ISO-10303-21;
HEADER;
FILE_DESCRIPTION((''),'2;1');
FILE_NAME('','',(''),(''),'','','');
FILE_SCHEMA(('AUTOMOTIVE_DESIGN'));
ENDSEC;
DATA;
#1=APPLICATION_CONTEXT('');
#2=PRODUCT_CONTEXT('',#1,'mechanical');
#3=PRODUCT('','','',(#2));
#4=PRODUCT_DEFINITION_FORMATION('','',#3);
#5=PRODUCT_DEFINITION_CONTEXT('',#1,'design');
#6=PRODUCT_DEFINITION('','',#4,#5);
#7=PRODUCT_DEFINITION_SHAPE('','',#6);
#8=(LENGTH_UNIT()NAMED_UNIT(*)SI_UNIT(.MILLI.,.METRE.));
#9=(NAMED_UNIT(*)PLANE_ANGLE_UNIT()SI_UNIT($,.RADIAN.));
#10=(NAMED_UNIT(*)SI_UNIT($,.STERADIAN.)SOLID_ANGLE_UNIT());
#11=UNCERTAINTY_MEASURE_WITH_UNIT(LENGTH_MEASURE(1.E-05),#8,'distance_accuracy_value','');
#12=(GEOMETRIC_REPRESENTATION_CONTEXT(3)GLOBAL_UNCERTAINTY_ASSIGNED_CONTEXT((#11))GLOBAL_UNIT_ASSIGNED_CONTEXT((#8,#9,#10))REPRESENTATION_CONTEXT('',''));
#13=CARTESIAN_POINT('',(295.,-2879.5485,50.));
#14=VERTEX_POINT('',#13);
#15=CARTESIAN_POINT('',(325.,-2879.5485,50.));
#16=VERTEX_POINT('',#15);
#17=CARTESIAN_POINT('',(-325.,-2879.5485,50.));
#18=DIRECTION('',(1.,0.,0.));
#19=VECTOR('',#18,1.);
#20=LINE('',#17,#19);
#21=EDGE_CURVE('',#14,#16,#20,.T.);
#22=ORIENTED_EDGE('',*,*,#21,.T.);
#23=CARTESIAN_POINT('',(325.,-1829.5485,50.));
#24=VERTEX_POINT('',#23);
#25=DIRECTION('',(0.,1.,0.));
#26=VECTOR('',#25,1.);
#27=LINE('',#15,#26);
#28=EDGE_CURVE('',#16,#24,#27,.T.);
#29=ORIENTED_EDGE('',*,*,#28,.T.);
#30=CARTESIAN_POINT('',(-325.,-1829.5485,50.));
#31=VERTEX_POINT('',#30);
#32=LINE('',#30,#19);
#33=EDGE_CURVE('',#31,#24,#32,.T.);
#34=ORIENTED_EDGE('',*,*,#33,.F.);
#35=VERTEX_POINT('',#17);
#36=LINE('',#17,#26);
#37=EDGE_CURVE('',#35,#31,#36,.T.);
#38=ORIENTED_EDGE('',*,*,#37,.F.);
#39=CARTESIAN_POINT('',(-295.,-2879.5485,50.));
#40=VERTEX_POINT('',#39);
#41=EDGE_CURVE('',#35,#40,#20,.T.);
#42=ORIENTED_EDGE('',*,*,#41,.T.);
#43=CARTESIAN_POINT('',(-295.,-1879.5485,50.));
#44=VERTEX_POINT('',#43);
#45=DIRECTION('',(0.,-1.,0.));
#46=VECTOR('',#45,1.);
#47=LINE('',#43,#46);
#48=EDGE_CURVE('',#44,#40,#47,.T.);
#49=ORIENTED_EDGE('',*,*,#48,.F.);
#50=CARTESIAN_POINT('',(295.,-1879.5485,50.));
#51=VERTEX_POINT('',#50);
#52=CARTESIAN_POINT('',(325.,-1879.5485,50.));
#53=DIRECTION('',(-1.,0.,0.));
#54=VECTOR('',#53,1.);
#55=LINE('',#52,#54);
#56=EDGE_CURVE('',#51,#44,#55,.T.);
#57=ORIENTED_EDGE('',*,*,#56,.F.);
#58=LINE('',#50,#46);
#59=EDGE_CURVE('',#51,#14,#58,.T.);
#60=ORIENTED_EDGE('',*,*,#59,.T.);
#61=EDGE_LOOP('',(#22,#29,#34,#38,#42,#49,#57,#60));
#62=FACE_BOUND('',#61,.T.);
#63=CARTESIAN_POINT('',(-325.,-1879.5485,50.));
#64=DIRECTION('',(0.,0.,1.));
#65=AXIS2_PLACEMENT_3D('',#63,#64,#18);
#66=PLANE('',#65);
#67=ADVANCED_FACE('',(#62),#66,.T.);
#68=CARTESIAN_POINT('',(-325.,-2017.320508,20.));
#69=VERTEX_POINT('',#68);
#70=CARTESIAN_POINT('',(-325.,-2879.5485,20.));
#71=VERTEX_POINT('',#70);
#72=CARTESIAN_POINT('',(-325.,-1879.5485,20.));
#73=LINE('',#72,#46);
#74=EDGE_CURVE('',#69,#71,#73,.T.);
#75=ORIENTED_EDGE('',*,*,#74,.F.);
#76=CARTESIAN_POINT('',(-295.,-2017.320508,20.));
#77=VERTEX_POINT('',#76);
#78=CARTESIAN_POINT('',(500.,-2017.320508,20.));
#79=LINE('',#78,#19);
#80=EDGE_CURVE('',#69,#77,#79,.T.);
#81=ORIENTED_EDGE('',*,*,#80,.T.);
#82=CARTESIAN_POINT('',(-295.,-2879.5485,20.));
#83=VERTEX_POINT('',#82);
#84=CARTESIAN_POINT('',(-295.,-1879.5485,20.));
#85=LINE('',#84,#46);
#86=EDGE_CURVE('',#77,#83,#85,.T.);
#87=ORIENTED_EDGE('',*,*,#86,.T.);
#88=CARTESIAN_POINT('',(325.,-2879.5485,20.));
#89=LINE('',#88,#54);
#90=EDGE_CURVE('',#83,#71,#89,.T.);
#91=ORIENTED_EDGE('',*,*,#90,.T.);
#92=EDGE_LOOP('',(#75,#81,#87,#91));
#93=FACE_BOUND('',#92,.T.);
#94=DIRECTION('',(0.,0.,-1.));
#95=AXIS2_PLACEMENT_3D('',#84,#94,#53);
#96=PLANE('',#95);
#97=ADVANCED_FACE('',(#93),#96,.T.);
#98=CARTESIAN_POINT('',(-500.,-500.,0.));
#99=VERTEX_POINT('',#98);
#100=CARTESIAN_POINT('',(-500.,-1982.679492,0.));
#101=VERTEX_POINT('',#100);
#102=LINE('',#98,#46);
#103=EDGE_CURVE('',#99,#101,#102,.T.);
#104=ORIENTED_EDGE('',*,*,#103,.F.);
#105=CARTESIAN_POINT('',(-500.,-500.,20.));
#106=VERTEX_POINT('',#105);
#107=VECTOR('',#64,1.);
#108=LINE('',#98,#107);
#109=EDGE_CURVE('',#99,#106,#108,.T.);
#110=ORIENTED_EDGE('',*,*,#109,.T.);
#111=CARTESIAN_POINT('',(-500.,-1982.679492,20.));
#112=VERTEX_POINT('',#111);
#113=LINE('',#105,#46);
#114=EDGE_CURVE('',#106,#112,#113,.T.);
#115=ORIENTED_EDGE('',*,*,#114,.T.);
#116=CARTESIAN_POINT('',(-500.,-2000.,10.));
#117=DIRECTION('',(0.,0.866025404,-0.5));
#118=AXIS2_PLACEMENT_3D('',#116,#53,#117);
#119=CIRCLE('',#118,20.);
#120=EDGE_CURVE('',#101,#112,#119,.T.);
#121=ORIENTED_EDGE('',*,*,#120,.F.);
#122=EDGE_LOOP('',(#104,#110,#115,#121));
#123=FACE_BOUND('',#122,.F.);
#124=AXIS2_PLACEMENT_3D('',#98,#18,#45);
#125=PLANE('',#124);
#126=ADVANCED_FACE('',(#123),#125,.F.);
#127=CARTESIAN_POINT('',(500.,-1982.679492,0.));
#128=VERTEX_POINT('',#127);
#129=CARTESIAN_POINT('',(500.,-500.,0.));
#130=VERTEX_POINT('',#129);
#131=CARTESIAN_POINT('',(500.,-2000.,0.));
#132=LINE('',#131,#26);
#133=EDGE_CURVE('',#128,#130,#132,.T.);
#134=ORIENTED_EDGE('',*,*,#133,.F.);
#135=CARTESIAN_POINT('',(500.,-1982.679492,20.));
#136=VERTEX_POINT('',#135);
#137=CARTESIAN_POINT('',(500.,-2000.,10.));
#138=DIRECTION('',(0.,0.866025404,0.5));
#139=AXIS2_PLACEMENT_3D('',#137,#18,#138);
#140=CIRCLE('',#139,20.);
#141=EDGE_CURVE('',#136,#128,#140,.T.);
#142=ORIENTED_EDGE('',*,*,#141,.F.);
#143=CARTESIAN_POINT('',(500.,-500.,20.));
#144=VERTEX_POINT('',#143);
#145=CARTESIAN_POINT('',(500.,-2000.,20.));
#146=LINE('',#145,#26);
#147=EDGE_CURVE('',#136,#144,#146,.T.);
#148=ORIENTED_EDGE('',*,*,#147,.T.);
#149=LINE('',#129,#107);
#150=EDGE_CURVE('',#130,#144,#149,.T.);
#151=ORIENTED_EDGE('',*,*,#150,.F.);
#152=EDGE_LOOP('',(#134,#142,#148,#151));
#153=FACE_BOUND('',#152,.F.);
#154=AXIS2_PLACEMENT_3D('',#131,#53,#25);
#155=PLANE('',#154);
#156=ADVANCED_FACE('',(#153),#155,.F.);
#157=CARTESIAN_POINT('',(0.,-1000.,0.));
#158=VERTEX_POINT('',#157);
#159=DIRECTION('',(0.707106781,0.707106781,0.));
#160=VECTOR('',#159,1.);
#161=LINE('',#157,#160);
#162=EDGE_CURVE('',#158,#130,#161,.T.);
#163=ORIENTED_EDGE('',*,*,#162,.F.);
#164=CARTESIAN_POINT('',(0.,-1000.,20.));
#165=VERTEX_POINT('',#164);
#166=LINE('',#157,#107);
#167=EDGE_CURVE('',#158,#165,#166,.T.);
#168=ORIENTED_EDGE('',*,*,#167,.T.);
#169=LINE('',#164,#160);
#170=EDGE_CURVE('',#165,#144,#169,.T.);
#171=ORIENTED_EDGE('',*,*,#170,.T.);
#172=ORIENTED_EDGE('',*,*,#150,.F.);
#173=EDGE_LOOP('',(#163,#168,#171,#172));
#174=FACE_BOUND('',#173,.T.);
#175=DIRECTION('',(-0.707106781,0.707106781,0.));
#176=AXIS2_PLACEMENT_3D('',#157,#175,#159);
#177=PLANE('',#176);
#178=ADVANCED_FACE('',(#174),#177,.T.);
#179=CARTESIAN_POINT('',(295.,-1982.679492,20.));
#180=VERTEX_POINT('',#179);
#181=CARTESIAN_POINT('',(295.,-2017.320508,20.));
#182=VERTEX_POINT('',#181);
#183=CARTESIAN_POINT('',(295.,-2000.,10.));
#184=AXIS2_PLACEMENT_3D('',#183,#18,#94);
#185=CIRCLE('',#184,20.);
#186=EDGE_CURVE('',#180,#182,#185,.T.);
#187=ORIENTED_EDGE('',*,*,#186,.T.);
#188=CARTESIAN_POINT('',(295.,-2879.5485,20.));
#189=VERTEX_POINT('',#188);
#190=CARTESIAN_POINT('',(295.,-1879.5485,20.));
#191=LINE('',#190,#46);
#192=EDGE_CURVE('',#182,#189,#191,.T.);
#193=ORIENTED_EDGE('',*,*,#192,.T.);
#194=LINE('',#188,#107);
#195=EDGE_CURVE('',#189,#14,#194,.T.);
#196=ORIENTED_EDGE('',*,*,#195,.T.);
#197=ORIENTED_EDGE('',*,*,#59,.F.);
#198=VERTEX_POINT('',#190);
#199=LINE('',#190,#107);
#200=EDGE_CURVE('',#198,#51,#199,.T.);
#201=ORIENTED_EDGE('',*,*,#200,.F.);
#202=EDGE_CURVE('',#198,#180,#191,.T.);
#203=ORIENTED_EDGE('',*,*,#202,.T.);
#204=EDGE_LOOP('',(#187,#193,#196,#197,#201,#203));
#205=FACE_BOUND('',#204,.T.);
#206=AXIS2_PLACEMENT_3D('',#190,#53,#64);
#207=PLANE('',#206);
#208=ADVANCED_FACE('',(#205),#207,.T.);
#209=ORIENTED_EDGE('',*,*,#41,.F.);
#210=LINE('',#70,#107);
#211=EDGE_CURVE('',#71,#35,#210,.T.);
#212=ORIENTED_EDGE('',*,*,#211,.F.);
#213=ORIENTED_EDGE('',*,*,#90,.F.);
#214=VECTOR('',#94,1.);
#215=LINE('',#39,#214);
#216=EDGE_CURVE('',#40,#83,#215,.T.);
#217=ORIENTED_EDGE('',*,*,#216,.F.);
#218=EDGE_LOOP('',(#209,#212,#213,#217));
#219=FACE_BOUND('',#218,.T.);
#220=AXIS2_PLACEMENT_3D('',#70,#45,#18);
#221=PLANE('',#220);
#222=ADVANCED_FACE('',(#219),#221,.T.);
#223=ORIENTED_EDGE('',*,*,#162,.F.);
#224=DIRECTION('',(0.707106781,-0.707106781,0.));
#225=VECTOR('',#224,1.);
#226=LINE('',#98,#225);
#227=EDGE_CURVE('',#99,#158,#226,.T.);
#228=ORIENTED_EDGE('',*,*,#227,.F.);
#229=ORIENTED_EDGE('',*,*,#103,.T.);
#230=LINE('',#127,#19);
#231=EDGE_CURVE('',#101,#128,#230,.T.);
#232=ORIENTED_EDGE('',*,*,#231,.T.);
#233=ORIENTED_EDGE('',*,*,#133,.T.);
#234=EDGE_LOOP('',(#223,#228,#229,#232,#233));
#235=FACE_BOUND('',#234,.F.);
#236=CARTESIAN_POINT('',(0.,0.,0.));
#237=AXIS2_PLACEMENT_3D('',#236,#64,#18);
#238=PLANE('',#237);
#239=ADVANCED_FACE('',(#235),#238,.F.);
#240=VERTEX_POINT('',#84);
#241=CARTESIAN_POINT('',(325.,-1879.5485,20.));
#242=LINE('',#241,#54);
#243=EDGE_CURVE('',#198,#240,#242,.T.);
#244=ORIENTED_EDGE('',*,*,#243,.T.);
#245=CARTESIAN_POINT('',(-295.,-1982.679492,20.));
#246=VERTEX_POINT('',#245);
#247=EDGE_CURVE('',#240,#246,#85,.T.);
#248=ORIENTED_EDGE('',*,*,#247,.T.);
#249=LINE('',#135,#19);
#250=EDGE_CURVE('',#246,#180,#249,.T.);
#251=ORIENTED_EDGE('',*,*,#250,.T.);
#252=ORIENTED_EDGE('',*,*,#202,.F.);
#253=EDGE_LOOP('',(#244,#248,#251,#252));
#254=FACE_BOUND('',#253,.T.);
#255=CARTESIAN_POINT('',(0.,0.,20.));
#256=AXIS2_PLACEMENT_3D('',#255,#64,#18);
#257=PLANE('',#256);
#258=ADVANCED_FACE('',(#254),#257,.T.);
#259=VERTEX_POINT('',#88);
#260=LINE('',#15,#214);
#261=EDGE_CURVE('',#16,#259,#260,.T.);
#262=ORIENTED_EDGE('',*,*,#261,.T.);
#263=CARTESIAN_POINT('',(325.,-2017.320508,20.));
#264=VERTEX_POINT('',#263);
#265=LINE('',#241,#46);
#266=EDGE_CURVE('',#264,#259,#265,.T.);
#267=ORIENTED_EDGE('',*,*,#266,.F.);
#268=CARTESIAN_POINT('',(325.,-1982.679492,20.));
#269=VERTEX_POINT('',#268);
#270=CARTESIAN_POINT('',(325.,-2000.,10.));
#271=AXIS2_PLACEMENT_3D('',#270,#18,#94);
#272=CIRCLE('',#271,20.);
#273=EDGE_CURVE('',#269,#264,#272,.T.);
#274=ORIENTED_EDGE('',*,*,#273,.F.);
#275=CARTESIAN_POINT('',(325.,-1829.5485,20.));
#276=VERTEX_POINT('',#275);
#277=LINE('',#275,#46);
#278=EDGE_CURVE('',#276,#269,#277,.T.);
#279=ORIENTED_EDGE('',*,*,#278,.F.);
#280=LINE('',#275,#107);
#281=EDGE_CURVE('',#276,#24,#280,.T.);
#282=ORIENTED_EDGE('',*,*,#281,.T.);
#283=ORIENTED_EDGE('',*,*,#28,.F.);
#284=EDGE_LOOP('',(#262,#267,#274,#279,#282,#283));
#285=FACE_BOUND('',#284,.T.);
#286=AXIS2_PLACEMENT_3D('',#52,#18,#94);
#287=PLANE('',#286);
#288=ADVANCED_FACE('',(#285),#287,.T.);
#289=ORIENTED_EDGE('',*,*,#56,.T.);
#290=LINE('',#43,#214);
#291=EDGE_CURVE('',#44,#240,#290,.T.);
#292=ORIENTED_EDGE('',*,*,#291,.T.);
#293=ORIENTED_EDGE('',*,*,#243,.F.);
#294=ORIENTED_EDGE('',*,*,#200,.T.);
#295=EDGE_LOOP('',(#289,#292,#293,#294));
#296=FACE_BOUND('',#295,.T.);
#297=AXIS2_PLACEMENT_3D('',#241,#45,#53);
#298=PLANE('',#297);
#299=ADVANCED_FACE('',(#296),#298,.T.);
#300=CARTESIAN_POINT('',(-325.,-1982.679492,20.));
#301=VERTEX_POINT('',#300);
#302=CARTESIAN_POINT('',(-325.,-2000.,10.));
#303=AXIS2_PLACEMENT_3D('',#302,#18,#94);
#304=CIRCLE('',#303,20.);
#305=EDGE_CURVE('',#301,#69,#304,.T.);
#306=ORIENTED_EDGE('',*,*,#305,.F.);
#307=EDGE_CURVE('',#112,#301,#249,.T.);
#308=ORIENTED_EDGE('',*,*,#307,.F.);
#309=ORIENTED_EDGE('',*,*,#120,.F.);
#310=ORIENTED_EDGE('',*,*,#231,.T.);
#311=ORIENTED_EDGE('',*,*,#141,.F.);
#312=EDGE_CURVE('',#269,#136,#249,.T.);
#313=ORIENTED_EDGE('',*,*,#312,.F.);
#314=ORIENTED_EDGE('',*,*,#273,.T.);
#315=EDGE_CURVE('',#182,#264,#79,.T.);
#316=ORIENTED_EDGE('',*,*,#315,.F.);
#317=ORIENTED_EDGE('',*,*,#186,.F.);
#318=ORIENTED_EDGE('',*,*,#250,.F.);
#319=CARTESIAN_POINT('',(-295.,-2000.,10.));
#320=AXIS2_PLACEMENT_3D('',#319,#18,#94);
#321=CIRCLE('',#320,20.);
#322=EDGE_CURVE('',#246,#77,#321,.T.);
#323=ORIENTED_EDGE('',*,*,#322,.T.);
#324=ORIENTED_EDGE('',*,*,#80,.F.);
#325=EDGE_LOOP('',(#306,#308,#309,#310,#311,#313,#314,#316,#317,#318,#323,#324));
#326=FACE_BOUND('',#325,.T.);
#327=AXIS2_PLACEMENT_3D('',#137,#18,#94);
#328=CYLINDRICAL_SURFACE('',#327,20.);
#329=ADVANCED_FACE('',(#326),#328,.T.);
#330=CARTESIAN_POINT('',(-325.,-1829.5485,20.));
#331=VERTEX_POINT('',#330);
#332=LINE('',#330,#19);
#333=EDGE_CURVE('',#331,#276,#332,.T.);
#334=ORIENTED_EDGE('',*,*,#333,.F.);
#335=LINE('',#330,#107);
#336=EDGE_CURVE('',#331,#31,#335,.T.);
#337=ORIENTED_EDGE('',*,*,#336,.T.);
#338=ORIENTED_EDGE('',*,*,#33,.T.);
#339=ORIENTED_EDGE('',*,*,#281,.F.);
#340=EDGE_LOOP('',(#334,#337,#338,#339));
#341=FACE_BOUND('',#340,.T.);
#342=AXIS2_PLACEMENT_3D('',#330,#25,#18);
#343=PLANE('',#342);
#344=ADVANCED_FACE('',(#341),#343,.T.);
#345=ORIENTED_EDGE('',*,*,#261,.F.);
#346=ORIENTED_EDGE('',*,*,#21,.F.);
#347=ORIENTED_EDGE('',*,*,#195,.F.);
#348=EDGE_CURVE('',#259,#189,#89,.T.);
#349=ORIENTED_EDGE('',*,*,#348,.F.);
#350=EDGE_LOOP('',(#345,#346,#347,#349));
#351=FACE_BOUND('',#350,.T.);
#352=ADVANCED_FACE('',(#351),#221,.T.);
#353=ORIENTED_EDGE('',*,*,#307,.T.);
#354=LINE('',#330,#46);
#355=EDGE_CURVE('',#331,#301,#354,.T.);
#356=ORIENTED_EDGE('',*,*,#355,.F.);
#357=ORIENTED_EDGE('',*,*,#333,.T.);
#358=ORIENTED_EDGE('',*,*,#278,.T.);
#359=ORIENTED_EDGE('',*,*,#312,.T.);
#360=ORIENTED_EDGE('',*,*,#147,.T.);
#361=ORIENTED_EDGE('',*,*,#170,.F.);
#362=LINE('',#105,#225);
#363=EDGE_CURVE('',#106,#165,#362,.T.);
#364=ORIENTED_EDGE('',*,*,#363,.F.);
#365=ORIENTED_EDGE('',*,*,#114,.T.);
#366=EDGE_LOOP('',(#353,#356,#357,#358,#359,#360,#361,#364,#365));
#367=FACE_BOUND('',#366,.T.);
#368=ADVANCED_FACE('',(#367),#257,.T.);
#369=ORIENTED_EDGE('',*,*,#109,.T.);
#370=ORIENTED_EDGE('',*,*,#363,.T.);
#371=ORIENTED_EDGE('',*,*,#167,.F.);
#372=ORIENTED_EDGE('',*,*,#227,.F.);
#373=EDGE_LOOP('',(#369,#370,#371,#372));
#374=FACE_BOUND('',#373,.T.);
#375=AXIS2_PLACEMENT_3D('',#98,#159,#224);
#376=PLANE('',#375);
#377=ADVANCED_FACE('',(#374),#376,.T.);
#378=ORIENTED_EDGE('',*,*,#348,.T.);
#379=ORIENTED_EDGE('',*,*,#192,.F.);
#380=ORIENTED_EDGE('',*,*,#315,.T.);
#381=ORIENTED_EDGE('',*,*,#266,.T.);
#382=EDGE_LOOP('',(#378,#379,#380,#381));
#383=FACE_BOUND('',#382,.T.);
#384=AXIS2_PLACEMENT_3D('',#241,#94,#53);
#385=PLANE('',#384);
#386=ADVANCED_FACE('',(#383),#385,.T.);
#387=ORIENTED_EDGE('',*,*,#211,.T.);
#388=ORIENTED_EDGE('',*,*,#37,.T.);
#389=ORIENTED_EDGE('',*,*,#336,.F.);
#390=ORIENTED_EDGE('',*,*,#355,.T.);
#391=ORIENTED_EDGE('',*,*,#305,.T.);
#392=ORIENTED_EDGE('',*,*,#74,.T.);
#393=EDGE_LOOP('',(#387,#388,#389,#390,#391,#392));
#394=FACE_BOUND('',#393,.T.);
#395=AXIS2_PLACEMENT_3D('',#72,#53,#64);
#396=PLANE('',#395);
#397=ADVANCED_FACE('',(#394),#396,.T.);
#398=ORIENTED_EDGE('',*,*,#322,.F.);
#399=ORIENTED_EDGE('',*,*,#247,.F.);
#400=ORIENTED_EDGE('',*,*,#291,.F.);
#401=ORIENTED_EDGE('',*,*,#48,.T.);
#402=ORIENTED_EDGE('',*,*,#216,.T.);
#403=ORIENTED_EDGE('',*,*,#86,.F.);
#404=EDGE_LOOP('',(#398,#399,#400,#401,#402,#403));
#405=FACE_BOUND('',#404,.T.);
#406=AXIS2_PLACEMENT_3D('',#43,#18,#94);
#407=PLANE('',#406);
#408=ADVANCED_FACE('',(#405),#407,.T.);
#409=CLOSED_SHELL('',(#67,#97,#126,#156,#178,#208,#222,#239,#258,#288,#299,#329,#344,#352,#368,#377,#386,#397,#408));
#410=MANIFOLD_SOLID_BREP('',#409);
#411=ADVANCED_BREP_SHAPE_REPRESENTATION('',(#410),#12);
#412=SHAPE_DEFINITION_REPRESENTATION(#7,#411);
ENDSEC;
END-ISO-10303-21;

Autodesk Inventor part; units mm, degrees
ref_plane "YZ Plane" through (0, 0, 0) normal (1, 0, 0) x (0, 1, 0)
ref_plane "XZ Plane" through (0, 0, 0) normal (0, 1, 0) x (-1, 0, 0)
ref_plane "XY Plane" through (0, 0, 0) normal (0, 0, 1) x (1, 0, 0)
sketch "草圖1" plane through (0, 0, 0) normal (0, 0, 1) x (1, 0, 0)
  line L0 (-500, -500) -> (0, -1000)
  line L1 (0, -1000) -> (500, -500)
  line L2 (-500, -500) -> (-500, -2000)
  line L3 (-500, -2000) -> (500, -2000)
  line L4 (500, -2000) -> (500, -500)
  point P0 (0, 0)
  dimension "d2" = 1500
  dimension "d3" = 1000
extrude "擠出1" add sketch "草圖1" along normal blind 20
sketch "草圖2" plane through (500, -2000, 0) normal (1, 0, 0) x (0, 0, -1)
  line L0 (0, 0) -> (-20, 0) projected
  circle A0 centre (-10, 0) radius 20
  point P0 (0, 2000)
  dimension "d6" = 40
extrude "擠出2" add sketch "草圖2" against normal blind 1000
sketch "草圖3" plane through (0, 0, 20) normal (0, 0, 1) x (1, 0, 0)
  line L0 (325, -1879.5485) -> (-325, -1879.5485)
  line L1 (-325, -1879.5485) -> (-325, -1829.5485)
  line L2 (-325, -1829.5485) -> (325, -1829.5485)
  line L3 (325, -1829.5485) -> (325, -1879.5485)
  line L4 (325, -1879.5485) -> (-325, -1829.5485) construction
  line L5 (-325, -1879.5485) -> (325, -1829.5485) construction
  point P0 (0, 0)
  point P1 (0, -1854.5485)
  dimension "d9" = 650
  dimension "d10" = 50
extrude "擠出3" add sketch "草圖3" along normal blind 30
sketch "草圖4" plane through (-325, -1879.5485, 20) normal (0, -1, 0) x (1, 0, 0)
  line L0 (650, 0) -> (0, 0) projected
  line L1 (0, 30) -> (650, 30) projected
  line L2 (650, 0) -> (620, 0)
  line L3 (620, 0) -> (620, 30)
  line L4 (620, 30) -> (650, 30)
  line L5 (650, 30) -> (650, 0)
  line L6 (0, 0) -> (650, 0) projected
  line L7 (0, 30) -> (30, 30)
  line L8 (30, 30) -> (30, 0)
  line L9 (30, 0) -> (0, 0)
  line L10 (0, 0) -> (0, 30)
  point P0 (325, -20)
  dimension "d13" = 30
  dimension "d14" = 30
extrude "擠出4" add sketch "草圖4" along normal blind 1000 contours L0 L3 L1 L5
extrude "擠出5" add sketch "草圖4" along normal blind 1000 contours L0 L10 L1 L8
properties part number "flag"
